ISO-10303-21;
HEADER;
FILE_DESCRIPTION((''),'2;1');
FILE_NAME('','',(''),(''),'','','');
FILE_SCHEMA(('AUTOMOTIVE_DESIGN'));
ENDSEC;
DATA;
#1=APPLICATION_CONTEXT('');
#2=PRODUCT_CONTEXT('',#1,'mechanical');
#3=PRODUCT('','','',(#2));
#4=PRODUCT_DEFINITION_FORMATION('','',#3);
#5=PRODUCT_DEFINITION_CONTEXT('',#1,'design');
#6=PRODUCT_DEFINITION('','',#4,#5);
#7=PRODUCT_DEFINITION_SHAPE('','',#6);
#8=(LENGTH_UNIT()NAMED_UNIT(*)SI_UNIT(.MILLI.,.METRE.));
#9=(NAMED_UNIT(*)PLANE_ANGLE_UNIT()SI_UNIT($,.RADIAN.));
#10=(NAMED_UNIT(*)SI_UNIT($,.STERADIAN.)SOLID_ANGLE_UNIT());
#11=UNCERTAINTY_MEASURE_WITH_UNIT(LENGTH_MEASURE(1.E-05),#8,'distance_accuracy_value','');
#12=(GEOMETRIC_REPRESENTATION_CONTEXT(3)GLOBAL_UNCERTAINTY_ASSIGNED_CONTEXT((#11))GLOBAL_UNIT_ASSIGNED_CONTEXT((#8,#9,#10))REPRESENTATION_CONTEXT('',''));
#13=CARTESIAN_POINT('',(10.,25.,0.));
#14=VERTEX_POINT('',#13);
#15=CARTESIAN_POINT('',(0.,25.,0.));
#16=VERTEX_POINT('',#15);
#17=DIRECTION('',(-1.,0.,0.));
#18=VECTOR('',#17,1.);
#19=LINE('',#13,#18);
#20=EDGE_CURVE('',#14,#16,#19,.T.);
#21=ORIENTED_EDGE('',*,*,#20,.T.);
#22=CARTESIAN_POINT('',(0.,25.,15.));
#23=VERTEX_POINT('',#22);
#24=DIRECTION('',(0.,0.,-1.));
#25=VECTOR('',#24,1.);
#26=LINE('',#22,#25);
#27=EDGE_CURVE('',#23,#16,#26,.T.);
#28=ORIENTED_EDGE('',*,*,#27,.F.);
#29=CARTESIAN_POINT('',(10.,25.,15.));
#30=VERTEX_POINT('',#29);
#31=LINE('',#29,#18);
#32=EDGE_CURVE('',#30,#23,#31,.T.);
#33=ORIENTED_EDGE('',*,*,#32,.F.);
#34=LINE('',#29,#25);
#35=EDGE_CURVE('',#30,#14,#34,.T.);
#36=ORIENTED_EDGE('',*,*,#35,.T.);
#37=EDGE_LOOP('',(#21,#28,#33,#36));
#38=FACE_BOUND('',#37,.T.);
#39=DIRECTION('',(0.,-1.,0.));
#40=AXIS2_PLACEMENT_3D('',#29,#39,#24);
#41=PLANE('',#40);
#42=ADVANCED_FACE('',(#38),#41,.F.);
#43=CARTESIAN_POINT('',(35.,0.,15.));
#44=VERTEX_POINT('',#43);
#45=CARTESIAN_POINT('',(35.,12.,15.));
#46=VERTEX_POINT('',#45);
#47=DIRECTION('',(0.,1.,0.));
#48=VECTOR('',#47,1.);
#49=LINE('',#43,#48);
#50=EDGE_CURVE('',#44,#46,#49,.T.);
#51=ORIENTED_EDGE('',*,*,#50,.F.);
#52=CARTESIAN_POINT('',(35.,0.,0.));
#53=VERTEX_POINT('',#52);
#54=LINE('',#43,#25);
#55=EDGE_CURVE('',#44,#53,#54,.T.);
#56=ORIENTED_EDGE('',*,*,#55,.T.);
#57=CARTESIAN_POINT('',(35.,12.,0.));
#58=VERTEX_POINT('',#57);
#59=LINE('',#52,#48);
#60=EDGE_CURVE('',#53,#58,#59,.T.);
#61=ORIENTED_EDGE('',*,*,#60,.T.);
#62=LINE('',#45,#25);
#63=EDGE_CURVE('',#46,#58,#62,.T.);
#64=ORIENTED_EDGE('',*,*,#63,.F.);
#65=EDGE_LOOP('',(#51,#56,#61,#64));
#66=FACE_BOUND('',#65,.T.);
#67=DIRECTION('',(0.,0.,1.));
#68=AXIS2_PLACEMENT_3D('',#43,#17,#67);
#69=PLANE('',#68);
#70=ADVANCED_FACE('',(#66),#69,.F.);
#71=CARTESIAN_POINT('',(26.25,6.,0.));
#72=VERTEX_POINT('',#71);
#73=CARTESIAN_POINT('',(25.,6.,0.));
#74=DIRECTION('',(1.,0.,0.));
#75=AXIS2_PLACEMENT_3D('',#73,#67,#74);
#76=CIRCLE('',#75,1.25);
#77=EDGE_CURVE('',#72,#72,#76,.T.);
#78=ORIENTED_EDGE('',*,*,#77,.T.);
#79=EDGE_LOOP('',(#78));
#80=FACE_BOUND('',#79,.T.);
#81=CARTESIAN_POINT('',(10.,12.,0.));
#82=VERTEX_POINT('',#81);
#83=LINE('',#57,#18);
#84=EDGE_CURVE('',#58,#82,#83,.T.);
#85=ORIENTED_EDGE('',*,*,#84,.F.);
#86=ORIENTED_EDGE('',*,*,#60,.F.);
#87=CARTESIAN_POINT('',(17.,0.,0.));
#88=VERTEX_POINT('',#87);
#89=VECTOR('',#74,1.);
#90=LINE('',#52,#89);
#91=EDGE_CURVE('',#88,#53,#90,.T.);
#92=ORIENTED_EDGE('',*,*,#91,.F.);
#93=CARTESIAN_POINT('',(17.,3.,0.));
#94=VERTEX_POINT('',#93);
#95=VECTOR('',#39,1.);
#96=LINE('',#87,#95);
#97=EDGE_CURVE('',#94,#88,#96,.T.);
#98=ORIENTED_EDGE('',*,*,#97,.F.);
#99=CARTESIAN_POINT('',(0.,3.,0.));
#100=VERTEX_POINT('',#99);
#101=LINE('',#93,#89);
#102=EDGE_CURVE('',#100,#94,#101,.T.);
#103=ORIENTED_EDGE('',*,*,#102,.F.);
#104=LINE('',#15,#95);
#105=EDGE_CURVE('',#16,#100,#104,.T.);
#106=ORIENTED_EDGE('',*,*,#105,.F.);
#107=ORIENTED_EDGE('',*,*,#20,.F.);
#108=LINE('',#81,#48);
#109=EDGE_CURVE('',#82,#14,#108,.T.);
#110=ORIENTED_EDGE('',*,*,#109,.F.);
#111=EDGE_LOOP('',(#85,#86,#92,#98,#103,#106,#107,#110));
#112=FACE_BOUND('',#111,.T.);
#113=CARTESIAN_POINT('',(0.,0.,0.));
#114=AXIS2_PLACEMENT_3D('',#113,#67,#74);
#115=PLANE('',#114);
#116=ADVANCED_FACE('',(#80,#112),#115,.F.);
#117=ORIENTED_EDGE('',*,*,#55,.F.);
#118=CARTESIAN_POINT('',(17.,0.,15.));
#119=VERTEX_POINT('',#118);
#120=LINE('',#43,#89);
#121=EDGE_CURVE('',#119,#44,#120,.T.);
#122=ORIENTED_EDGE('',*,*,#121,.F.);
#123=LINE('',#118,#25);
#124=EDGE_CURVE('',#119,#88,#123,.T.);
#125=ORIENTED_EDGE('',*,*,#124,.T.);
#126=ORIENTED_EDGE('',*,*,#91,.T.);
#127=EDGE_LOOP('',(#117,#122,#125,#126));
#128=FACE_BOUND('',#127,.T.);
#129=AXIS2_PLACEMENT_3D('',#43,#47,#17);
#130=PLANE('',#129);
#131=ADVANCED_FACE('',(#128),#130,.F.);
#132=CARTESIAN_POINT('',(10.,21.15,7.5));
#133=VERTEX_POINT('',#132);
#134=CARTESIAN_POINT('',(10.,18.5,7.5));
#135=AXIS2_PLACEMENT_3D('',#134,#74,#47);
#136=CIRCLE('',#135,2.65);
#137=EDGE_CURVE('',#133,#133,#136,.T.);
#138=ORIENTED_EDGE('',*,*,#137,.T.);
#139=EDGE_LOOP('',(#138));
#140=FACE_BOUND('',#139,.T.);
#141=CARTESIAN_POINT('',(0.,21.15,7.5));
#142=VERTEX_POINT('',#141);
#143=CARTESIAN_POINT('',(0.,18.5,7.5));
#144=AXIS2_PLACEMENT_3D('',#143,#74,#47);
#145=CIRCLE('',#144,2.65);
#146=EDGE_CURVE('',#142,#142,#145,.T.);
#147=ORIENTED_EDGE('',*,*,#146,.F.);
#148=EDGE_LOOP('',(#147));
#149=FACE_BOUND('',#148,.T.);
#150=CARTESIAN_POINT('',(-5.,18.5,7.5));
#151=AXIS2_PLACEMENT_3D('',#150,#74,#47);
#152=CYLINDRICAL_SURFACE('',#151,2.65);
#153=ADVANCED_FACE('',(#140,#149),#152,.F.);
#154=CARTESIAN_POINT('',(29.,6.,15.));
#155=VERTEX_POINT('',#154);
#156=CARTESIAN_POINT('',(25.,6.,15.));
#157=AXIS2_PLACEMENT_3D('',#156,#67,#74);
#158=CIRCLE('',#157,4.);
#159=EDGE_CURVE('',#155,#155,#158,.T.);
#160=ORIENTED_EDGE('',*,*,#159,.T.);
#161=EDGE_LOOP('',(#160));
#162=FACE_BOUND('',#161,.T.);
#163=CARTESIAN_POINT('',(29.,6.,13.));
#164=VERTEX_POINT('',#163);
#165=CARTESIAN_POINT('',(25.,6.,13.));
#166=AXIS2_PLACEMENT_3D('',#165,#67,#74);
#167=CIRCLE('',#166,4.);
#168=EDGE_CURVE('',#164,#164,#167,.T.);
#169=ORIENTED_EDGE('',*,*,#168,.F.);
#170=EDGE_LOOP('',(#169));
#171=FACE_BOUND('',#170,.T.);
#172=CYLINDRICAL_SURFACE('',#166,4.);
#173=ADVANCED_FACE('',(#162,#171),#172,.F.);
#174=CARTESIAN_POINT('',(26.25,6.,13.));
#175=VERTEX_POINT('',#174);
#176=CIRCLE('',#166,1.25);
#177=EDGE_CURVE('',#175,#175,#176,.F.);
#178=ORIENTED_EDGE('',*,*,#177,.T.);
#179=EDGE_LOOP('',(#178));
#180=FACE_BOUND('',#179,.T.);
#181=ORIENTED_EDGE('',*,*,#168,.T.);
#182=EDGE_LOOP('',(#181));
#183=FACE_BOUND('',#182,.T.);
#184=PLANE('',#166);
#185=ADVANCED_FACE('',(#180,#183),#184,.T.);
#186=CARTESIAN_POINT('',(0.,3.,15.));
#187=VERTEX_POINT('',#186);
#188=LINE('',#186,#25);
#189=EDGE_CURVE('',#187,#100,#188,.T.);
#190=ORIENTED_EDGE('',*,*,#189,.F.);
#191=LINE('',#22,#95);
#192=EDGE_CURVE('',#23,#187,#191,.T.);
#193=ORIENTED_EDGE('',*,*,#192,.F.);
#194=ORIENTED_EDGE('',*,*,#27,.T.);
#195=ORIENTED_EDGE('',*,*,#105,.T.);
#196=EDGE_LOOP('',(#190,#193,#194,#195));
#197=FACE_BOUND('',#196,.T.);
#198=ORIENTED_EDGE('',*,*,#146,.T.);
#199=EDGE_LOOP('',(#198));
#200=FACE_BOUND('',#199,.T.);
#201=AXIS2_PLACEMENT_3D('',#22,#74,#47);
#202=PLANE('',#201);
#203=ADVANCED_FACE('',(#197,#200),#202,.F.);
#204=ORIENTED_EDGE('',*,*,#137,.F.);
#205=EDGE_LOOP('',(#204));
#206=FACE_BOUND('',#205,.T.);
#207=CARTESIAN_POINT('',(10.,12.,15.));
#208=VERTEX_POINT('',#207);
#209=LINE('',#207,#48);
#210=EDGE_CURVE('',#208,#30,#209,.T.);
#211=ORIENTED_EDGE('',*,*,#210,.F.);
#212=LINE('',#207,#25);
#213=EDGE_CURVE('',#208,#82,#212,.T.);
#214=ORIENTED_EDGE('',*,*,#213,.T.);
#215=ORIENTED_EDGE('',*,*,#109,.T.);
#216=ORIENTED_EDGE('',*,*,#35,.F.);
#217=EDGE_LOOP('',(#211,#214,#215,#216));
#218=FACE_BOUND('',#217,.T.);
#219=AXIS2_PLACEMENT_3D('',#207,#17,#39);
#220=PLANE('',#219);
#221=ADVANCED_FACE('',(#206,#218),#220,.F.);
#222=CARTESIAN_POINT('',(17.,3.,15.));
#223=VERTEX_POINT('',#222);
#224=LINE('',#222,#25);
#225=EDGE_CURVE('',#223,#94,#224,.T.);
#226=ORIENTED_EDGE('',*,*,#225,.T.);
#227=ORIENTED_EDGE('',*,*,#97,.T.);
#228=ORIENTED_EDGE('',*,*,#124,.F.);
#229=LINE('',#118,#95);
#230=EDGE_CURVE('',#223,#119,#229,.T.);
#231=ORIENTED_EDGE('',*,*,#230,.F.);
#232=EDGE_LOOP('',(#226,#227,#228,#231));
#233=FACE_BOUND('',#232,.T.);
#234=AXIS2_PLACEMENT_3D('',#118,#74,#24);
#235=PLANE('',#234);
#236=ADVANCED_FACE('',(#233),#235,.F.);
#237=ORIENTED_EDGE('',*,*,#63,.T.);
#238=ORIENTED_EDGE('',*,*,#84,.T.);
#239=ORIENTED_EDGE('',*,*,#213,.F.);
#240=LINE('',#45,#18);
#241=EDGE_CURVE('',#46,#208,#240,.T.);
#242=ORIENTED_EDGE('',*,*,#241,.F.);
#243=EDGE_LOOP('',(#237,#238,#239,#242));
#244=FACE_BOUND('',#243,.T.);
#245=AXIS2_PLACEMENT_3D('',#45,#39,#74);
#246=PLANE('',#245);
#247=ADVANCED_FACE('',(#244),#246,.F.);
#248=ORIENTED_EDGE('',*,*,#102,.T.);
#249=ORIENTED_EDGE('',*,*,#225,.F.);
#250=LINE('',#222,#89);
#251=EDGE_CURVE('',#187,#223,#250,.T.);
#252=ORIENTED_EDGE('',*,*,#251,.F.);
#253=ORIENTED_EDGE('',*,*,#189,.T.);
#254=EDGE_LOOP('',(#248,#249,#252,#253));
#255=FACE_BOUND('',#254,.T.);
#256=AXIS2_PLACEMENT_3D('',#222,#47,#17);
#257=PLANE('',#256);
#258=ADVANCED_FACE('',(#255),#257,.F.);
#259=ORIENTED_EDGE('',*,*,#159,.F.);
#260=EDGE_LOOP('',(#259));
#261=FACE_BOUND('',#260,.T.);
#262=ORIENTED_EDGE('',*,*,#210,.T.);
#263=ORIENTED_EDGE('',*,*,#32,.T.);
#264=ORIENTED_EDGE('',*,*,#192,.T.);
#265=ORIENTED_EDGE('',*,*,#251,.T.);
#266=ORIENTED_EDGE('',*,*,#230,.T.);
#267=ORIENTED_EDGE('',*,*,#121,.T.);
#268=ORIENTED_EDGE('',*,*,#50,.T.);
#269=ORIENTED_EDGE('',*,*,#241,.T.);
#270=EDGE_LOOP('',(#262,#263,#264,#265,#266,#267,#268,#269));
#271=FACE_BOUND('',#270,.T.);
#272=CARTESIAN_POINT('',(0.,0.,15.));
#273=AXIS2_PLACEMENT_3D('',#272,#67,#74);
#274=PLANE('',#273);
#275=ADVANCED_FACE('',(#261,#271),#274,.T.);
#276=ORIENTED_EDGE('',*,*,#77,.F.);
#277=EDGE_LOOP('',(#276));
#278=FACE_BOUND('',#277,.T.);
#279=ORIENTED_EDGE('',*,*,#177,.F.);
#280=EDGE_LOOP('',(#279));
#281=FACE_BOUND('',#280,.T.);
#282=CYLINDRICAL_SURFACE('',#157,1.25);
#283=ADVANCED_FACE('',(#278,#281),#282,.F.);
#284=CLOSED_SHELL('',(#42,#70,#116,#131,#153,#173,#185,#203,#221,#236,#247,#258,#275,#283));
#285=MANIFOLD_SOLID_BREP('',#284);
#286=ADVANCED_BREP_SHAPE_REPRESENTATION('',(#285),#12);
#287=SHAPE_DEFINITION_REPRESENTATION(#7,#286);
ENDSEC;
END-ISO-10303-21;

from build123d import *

# Parameters (mm, degrees)
BOSS_EXTRUDE1_DEPTH = 15
SKETCH3_R           = 2.65
CUT_EXTRUDE1_DEPTH  = 15
M3_TAPPED_HOLE1_D   = 2.5
SKETCH7_R           = 4
CUT_EXTRUDE2_DEPTH  = 2


with BuildPart() as part:
    # Sketch1 → Boss-Extrude1 (new body)
    with BuildSketch(Plane.XY):
        Polygon((35, 0), (17, 0), (17, 3), (0, 3), (0, 25), (10, 25), (10, 12), (35, 12), align=None)
    extrude(amount=BOSS_EXTRUDE1_DEPTH)

    # Sketch3 → Cut-Extrude1 (cut)
    with BuildSketch(Plane(origin=(10, 0, 0), x_dir=(0, 0, -1), z_dir=(1, 0, 0))):
        with Locations((-7.5, 18.5)):
            Circle(SKETCH3_R)
    extrude(amount=-CUT_EXTRUDE1_DEPTH, mode=Mode.SUBTRACT)

    # M3 Tapped Hole1 (through all)
    with Locations(Plane(origin=(25, 6, 15), x_dir=(1, 0, 0), z_dir=(0, 0, 1))):
        with Locations((0, 0)):
            Hole(M3_TAPPED_HOLE1_D / 2)

    # Sketch7 → Cut-Extrude2 (cut)
    with BuildSketch(Plane.XY.offset(15)):
        with Locations((25, 6)):
            Circle(SKETCH7_R)
    extrude(amount=-CUT_EXTRUDE2_DEPTH, mode=Mode.SUBTRACT)


solid = part.part
